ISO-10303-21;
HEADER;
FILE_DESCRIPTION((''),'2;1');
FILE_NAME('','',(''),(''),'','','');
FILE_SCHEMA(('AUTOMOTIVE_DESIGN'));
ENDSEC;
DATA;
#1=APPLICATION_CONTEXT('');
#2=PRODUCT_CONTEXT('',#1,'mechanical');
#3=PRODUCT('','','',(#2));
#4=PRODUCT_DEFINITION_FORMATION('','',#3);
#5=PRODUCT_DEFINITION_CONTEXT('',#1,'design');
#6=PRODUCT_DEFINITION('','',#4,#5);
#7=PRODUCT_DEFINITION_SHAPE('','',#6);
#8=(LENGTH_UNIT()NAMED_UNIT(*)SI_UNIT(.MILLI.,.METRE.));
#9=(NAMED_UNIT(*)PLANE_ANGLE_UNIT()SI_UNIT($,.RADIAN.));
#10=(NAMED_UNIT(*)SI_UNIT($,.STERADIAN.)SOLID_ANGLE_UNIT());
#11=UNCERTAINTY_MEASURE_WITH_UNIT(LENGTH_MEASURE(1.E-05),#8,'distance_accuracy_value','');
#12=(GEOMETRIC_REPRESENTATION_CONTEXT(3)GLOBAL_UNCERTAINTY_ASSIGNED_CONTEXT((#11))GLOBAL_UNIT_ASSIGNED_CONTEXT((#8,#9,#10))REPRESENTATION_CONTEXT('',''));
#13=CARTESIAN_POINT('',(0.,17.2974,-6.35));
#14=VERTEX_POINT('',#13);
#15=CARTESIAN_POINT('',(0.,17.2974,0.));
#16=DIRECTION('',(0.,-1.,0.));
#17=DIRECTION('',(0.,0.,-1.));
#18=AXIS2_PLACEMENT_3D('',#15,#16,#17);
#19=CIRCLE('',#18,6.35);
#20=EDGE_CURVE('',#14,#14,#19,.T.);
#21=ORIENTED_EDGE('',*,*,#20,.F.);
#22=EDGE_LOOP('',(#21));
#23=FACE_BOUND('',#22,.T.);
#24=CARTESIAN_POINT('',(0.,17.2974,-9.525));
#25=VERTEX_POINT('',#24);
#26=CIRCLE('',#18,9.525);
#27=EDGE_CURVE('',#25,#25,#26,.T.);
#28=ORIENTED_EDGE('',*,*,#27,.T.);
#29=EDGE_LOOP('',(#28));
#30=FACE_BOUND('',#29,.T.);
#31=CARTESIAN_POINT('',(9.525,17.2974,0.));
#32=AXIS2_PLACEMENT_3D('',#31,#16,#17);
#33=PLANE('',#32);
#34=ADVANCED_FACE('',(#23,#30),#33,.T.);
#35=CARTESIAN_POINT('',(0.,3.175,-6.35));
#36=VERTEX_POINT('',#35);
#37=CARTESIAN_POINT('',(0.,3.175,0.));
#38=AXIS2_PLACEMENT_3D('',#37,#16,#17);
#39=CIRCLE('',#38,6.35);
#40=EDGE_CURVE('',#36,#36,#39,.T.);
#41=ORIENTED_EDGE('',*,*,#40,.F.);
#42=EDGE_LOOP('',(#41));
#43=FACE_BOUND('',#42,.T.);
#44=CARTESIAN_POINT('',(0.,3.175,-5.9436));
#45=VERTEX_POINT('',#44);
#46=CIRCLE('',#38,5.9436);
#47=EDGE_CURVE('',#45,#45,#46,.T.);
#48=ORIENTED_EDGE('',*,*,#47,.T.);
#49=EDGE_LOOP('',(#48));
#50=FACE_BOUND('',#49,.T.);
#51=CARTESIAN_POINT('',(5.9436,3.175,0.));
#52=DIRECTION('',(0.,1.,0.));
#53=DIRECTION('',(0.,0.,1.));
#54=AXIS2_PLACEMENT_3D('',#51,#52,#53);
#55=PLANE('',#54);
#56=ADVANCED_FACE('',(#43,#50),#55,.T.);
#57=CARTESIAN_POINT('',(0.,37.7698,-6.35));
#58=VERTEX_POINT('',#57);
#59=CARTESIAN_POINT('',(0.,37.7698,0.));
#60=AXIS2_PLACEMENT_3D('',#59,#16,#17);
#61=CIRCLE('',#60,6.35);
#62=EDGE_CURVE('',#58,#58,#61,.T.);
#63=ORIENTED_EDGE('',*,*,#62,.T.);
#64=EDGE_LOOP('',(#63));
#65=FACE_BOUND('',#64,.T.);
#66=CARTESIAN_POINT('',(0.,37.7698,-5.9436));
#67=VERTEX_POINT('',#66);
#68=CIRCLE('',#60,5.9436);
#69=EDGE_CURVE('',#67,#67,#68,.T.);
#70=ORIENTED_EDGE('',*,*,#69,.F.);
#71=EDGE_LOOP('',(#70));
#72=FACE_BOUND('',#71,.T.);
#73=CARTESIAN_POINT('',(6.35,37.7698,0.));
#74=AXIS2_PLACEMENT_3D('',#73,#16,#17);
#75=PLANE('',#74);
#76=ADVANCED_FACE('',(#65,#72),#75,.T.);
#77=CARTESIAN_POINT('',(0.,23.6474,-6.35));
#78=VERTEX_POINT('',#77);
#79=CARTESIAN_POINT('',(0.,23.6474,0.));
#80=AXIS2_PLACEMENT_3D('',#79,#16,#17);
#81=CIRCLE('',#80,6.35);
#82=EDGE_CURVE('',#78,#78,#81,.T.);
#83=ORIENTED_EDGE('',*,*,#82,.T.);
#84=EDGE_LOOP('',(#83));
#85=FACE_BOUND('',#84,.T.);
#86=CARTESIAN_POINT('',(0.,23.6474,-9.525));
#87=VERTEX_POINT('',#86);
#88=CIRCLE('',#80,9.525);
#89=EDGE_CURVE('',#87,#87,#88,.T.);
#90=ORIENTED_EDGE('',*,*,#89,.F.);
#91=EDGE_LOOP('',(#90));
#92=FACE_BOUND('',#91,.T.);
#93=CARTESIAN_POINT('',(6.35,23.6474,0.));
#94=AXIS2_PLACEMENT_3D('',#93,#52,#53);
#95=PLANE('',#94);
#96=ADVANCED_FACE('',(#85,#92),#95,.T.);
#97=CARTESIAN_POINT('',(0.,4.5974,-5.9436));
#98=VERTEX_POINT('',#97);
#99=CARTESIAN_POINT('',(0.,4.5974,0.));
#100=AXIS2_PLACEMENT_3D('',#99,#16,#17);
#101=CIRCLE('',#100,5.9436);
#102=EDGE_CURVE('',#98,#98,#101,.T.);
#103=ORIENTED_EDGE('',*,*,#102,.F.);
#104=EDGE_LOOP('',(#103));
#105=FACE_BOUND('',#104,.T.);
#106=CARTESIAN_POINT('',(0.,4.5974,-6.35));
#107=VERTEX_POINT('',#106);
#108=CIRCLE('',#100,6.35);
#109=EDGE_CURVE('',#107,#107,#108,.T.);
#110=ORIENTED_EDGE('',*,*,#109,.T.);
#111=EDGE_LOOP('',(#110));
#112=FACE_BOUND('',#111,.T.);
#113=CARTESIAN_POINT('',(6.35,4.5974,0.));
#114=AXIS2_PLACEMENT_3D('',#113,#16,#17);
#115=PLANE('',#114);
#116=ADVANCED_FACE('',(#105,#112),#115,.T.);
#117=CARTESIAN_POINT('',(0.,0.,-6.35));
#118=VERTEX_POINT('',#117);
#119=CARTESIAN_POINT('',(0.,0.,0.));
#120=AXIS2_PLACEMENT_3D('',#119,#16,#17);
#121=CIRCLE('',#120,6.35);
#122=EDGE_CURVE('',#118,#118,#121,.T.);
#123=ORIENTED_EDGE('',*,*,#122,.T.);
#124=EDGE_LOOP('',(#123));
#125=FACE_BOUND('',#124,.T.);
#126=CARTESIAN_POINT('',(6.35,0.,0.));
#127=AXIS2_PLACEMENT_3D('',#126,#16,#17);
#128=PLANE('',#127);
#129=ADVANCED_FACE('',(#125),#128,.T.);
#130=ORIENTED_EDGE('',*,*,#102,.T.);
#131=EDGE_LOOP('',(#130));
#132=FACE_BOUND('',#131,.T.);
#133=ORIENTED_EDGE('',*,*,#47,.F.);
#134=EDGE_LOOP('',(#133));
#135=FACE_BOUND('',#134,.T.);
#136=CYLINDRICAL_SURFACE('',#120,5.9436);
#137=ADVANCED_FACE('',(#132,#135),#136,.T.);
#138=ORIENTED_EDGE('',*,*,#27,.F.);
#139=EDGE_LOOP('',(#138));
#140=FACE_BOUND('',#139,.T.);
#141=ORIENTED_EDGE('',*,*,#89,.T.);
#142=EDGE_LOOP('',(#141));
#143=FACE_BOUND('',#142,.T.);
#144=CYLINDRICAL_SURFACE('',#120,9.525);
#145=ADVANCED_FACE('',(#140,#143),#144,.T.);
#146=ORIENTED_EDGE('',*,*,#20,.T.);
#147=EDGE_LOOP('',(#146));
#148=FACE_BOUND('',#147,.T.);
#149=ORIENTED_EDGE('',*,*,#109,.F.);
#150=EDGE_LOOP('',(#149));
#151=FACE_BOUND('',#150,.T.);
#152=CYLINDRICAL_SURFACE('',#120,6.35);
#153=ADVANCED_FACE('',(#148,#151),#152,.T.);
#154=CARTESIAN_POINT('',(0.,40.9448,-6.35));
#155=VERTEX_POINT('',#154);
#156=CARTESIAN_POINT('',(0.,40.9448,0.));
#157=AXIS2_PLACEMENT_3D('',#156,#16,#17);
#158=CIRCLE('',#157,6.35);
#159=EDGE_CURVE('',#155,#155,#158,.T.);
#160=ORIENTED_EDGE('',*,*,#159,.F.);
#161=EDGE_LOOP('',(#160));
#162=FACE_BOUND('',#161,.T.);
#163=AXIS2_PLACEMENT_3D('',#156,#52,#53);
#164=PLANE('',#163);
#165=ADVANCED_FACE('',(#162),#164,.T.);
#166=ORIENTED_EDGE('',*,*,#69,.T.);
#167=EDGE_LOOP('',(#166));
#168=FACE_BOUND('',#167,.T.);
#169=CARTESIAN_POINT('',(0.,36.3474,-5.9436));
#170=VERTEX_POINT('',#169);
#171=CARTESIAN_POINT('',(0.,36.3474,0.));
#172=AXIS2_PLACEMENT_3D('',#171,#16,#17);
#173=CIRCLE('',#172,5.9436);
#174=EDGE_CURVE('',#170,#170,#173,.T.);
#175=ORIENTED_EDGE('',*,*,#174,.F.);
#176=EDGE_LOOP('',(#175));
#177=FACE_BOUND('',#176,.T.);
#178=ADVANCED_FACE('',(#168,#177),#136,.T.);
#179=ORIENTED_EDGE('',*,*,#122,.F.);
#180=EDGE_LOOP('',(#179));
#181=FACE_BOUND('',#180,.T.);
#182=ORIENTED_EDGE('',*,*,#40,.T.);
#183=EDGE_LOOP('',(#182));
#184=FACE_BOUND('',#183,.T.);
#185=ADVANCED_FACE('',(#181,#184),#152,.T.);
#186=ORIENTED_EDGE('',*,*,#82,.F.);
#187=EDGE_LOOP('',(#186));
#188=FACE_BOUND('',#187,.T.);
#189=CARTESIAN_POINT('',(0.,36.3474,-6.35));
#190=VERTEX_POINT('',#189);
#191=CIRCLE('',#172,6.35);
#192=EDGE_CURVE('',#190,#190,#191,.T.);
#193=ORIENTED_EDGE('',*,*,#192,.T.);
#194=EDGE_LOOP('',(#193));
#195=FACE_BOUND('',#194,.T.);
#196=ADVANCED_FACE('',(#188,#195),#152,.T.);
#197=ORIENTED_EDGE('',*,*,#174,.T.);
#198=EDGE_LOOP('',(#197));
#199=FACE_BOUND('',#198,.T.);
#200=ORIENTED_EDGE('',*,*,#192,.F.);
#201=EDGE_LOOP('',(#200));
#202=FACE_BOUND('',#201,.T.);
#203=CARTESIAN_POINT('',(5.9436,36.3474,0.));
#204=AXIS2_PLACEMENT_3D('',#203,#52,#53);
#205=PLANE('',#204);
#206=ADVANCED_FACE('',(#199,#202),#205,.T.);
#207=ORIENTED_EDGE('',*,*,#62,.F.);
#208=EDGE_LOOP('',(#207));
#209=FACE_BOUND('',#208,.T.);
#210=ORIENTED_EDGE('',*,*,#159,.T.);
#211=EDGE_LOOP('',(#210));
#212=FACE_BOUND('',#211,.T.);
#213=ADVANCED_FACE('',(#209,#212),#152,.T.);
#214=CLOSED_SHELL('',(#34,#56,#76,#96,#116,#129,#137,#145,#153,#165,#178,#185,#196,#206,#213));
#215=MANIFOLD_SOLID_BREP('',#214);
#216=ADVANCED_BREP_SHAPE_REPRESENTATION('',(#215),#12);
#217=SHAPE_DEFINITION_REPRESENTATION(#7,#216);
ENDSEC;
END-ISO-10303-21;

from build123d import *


with BuildPart() as part:
    # Sketch1 → Revolve1 (revolve)
    with BuildSketch(Plane.XY, mode=Mode.PRIVATE) as revolve1_sk:
        Polygon((0, 40.9448), (6.35, 40.9448), (6.35, 37.7698), (5.9436, 37.7698), (5.9436, 36.3474), (6.35, 36.3474), (6.35, 23.6474), (9.525, 23.6474), (9.525, 17.2974), (6.35, 17.2974), (6.35, 4.5974), (5.9436, 4.5974), (5.9436, 3.175), (6.35, 3.175), (6.35, 0), (0, 0), align=None)
    revolve(revolve1_sk.sketch.rotate(Axis((0, 0, 0), (0, 1, 0)), 90), axis=Axis((0, 0, 0), (0, 1, 0)))


solid = part.part
